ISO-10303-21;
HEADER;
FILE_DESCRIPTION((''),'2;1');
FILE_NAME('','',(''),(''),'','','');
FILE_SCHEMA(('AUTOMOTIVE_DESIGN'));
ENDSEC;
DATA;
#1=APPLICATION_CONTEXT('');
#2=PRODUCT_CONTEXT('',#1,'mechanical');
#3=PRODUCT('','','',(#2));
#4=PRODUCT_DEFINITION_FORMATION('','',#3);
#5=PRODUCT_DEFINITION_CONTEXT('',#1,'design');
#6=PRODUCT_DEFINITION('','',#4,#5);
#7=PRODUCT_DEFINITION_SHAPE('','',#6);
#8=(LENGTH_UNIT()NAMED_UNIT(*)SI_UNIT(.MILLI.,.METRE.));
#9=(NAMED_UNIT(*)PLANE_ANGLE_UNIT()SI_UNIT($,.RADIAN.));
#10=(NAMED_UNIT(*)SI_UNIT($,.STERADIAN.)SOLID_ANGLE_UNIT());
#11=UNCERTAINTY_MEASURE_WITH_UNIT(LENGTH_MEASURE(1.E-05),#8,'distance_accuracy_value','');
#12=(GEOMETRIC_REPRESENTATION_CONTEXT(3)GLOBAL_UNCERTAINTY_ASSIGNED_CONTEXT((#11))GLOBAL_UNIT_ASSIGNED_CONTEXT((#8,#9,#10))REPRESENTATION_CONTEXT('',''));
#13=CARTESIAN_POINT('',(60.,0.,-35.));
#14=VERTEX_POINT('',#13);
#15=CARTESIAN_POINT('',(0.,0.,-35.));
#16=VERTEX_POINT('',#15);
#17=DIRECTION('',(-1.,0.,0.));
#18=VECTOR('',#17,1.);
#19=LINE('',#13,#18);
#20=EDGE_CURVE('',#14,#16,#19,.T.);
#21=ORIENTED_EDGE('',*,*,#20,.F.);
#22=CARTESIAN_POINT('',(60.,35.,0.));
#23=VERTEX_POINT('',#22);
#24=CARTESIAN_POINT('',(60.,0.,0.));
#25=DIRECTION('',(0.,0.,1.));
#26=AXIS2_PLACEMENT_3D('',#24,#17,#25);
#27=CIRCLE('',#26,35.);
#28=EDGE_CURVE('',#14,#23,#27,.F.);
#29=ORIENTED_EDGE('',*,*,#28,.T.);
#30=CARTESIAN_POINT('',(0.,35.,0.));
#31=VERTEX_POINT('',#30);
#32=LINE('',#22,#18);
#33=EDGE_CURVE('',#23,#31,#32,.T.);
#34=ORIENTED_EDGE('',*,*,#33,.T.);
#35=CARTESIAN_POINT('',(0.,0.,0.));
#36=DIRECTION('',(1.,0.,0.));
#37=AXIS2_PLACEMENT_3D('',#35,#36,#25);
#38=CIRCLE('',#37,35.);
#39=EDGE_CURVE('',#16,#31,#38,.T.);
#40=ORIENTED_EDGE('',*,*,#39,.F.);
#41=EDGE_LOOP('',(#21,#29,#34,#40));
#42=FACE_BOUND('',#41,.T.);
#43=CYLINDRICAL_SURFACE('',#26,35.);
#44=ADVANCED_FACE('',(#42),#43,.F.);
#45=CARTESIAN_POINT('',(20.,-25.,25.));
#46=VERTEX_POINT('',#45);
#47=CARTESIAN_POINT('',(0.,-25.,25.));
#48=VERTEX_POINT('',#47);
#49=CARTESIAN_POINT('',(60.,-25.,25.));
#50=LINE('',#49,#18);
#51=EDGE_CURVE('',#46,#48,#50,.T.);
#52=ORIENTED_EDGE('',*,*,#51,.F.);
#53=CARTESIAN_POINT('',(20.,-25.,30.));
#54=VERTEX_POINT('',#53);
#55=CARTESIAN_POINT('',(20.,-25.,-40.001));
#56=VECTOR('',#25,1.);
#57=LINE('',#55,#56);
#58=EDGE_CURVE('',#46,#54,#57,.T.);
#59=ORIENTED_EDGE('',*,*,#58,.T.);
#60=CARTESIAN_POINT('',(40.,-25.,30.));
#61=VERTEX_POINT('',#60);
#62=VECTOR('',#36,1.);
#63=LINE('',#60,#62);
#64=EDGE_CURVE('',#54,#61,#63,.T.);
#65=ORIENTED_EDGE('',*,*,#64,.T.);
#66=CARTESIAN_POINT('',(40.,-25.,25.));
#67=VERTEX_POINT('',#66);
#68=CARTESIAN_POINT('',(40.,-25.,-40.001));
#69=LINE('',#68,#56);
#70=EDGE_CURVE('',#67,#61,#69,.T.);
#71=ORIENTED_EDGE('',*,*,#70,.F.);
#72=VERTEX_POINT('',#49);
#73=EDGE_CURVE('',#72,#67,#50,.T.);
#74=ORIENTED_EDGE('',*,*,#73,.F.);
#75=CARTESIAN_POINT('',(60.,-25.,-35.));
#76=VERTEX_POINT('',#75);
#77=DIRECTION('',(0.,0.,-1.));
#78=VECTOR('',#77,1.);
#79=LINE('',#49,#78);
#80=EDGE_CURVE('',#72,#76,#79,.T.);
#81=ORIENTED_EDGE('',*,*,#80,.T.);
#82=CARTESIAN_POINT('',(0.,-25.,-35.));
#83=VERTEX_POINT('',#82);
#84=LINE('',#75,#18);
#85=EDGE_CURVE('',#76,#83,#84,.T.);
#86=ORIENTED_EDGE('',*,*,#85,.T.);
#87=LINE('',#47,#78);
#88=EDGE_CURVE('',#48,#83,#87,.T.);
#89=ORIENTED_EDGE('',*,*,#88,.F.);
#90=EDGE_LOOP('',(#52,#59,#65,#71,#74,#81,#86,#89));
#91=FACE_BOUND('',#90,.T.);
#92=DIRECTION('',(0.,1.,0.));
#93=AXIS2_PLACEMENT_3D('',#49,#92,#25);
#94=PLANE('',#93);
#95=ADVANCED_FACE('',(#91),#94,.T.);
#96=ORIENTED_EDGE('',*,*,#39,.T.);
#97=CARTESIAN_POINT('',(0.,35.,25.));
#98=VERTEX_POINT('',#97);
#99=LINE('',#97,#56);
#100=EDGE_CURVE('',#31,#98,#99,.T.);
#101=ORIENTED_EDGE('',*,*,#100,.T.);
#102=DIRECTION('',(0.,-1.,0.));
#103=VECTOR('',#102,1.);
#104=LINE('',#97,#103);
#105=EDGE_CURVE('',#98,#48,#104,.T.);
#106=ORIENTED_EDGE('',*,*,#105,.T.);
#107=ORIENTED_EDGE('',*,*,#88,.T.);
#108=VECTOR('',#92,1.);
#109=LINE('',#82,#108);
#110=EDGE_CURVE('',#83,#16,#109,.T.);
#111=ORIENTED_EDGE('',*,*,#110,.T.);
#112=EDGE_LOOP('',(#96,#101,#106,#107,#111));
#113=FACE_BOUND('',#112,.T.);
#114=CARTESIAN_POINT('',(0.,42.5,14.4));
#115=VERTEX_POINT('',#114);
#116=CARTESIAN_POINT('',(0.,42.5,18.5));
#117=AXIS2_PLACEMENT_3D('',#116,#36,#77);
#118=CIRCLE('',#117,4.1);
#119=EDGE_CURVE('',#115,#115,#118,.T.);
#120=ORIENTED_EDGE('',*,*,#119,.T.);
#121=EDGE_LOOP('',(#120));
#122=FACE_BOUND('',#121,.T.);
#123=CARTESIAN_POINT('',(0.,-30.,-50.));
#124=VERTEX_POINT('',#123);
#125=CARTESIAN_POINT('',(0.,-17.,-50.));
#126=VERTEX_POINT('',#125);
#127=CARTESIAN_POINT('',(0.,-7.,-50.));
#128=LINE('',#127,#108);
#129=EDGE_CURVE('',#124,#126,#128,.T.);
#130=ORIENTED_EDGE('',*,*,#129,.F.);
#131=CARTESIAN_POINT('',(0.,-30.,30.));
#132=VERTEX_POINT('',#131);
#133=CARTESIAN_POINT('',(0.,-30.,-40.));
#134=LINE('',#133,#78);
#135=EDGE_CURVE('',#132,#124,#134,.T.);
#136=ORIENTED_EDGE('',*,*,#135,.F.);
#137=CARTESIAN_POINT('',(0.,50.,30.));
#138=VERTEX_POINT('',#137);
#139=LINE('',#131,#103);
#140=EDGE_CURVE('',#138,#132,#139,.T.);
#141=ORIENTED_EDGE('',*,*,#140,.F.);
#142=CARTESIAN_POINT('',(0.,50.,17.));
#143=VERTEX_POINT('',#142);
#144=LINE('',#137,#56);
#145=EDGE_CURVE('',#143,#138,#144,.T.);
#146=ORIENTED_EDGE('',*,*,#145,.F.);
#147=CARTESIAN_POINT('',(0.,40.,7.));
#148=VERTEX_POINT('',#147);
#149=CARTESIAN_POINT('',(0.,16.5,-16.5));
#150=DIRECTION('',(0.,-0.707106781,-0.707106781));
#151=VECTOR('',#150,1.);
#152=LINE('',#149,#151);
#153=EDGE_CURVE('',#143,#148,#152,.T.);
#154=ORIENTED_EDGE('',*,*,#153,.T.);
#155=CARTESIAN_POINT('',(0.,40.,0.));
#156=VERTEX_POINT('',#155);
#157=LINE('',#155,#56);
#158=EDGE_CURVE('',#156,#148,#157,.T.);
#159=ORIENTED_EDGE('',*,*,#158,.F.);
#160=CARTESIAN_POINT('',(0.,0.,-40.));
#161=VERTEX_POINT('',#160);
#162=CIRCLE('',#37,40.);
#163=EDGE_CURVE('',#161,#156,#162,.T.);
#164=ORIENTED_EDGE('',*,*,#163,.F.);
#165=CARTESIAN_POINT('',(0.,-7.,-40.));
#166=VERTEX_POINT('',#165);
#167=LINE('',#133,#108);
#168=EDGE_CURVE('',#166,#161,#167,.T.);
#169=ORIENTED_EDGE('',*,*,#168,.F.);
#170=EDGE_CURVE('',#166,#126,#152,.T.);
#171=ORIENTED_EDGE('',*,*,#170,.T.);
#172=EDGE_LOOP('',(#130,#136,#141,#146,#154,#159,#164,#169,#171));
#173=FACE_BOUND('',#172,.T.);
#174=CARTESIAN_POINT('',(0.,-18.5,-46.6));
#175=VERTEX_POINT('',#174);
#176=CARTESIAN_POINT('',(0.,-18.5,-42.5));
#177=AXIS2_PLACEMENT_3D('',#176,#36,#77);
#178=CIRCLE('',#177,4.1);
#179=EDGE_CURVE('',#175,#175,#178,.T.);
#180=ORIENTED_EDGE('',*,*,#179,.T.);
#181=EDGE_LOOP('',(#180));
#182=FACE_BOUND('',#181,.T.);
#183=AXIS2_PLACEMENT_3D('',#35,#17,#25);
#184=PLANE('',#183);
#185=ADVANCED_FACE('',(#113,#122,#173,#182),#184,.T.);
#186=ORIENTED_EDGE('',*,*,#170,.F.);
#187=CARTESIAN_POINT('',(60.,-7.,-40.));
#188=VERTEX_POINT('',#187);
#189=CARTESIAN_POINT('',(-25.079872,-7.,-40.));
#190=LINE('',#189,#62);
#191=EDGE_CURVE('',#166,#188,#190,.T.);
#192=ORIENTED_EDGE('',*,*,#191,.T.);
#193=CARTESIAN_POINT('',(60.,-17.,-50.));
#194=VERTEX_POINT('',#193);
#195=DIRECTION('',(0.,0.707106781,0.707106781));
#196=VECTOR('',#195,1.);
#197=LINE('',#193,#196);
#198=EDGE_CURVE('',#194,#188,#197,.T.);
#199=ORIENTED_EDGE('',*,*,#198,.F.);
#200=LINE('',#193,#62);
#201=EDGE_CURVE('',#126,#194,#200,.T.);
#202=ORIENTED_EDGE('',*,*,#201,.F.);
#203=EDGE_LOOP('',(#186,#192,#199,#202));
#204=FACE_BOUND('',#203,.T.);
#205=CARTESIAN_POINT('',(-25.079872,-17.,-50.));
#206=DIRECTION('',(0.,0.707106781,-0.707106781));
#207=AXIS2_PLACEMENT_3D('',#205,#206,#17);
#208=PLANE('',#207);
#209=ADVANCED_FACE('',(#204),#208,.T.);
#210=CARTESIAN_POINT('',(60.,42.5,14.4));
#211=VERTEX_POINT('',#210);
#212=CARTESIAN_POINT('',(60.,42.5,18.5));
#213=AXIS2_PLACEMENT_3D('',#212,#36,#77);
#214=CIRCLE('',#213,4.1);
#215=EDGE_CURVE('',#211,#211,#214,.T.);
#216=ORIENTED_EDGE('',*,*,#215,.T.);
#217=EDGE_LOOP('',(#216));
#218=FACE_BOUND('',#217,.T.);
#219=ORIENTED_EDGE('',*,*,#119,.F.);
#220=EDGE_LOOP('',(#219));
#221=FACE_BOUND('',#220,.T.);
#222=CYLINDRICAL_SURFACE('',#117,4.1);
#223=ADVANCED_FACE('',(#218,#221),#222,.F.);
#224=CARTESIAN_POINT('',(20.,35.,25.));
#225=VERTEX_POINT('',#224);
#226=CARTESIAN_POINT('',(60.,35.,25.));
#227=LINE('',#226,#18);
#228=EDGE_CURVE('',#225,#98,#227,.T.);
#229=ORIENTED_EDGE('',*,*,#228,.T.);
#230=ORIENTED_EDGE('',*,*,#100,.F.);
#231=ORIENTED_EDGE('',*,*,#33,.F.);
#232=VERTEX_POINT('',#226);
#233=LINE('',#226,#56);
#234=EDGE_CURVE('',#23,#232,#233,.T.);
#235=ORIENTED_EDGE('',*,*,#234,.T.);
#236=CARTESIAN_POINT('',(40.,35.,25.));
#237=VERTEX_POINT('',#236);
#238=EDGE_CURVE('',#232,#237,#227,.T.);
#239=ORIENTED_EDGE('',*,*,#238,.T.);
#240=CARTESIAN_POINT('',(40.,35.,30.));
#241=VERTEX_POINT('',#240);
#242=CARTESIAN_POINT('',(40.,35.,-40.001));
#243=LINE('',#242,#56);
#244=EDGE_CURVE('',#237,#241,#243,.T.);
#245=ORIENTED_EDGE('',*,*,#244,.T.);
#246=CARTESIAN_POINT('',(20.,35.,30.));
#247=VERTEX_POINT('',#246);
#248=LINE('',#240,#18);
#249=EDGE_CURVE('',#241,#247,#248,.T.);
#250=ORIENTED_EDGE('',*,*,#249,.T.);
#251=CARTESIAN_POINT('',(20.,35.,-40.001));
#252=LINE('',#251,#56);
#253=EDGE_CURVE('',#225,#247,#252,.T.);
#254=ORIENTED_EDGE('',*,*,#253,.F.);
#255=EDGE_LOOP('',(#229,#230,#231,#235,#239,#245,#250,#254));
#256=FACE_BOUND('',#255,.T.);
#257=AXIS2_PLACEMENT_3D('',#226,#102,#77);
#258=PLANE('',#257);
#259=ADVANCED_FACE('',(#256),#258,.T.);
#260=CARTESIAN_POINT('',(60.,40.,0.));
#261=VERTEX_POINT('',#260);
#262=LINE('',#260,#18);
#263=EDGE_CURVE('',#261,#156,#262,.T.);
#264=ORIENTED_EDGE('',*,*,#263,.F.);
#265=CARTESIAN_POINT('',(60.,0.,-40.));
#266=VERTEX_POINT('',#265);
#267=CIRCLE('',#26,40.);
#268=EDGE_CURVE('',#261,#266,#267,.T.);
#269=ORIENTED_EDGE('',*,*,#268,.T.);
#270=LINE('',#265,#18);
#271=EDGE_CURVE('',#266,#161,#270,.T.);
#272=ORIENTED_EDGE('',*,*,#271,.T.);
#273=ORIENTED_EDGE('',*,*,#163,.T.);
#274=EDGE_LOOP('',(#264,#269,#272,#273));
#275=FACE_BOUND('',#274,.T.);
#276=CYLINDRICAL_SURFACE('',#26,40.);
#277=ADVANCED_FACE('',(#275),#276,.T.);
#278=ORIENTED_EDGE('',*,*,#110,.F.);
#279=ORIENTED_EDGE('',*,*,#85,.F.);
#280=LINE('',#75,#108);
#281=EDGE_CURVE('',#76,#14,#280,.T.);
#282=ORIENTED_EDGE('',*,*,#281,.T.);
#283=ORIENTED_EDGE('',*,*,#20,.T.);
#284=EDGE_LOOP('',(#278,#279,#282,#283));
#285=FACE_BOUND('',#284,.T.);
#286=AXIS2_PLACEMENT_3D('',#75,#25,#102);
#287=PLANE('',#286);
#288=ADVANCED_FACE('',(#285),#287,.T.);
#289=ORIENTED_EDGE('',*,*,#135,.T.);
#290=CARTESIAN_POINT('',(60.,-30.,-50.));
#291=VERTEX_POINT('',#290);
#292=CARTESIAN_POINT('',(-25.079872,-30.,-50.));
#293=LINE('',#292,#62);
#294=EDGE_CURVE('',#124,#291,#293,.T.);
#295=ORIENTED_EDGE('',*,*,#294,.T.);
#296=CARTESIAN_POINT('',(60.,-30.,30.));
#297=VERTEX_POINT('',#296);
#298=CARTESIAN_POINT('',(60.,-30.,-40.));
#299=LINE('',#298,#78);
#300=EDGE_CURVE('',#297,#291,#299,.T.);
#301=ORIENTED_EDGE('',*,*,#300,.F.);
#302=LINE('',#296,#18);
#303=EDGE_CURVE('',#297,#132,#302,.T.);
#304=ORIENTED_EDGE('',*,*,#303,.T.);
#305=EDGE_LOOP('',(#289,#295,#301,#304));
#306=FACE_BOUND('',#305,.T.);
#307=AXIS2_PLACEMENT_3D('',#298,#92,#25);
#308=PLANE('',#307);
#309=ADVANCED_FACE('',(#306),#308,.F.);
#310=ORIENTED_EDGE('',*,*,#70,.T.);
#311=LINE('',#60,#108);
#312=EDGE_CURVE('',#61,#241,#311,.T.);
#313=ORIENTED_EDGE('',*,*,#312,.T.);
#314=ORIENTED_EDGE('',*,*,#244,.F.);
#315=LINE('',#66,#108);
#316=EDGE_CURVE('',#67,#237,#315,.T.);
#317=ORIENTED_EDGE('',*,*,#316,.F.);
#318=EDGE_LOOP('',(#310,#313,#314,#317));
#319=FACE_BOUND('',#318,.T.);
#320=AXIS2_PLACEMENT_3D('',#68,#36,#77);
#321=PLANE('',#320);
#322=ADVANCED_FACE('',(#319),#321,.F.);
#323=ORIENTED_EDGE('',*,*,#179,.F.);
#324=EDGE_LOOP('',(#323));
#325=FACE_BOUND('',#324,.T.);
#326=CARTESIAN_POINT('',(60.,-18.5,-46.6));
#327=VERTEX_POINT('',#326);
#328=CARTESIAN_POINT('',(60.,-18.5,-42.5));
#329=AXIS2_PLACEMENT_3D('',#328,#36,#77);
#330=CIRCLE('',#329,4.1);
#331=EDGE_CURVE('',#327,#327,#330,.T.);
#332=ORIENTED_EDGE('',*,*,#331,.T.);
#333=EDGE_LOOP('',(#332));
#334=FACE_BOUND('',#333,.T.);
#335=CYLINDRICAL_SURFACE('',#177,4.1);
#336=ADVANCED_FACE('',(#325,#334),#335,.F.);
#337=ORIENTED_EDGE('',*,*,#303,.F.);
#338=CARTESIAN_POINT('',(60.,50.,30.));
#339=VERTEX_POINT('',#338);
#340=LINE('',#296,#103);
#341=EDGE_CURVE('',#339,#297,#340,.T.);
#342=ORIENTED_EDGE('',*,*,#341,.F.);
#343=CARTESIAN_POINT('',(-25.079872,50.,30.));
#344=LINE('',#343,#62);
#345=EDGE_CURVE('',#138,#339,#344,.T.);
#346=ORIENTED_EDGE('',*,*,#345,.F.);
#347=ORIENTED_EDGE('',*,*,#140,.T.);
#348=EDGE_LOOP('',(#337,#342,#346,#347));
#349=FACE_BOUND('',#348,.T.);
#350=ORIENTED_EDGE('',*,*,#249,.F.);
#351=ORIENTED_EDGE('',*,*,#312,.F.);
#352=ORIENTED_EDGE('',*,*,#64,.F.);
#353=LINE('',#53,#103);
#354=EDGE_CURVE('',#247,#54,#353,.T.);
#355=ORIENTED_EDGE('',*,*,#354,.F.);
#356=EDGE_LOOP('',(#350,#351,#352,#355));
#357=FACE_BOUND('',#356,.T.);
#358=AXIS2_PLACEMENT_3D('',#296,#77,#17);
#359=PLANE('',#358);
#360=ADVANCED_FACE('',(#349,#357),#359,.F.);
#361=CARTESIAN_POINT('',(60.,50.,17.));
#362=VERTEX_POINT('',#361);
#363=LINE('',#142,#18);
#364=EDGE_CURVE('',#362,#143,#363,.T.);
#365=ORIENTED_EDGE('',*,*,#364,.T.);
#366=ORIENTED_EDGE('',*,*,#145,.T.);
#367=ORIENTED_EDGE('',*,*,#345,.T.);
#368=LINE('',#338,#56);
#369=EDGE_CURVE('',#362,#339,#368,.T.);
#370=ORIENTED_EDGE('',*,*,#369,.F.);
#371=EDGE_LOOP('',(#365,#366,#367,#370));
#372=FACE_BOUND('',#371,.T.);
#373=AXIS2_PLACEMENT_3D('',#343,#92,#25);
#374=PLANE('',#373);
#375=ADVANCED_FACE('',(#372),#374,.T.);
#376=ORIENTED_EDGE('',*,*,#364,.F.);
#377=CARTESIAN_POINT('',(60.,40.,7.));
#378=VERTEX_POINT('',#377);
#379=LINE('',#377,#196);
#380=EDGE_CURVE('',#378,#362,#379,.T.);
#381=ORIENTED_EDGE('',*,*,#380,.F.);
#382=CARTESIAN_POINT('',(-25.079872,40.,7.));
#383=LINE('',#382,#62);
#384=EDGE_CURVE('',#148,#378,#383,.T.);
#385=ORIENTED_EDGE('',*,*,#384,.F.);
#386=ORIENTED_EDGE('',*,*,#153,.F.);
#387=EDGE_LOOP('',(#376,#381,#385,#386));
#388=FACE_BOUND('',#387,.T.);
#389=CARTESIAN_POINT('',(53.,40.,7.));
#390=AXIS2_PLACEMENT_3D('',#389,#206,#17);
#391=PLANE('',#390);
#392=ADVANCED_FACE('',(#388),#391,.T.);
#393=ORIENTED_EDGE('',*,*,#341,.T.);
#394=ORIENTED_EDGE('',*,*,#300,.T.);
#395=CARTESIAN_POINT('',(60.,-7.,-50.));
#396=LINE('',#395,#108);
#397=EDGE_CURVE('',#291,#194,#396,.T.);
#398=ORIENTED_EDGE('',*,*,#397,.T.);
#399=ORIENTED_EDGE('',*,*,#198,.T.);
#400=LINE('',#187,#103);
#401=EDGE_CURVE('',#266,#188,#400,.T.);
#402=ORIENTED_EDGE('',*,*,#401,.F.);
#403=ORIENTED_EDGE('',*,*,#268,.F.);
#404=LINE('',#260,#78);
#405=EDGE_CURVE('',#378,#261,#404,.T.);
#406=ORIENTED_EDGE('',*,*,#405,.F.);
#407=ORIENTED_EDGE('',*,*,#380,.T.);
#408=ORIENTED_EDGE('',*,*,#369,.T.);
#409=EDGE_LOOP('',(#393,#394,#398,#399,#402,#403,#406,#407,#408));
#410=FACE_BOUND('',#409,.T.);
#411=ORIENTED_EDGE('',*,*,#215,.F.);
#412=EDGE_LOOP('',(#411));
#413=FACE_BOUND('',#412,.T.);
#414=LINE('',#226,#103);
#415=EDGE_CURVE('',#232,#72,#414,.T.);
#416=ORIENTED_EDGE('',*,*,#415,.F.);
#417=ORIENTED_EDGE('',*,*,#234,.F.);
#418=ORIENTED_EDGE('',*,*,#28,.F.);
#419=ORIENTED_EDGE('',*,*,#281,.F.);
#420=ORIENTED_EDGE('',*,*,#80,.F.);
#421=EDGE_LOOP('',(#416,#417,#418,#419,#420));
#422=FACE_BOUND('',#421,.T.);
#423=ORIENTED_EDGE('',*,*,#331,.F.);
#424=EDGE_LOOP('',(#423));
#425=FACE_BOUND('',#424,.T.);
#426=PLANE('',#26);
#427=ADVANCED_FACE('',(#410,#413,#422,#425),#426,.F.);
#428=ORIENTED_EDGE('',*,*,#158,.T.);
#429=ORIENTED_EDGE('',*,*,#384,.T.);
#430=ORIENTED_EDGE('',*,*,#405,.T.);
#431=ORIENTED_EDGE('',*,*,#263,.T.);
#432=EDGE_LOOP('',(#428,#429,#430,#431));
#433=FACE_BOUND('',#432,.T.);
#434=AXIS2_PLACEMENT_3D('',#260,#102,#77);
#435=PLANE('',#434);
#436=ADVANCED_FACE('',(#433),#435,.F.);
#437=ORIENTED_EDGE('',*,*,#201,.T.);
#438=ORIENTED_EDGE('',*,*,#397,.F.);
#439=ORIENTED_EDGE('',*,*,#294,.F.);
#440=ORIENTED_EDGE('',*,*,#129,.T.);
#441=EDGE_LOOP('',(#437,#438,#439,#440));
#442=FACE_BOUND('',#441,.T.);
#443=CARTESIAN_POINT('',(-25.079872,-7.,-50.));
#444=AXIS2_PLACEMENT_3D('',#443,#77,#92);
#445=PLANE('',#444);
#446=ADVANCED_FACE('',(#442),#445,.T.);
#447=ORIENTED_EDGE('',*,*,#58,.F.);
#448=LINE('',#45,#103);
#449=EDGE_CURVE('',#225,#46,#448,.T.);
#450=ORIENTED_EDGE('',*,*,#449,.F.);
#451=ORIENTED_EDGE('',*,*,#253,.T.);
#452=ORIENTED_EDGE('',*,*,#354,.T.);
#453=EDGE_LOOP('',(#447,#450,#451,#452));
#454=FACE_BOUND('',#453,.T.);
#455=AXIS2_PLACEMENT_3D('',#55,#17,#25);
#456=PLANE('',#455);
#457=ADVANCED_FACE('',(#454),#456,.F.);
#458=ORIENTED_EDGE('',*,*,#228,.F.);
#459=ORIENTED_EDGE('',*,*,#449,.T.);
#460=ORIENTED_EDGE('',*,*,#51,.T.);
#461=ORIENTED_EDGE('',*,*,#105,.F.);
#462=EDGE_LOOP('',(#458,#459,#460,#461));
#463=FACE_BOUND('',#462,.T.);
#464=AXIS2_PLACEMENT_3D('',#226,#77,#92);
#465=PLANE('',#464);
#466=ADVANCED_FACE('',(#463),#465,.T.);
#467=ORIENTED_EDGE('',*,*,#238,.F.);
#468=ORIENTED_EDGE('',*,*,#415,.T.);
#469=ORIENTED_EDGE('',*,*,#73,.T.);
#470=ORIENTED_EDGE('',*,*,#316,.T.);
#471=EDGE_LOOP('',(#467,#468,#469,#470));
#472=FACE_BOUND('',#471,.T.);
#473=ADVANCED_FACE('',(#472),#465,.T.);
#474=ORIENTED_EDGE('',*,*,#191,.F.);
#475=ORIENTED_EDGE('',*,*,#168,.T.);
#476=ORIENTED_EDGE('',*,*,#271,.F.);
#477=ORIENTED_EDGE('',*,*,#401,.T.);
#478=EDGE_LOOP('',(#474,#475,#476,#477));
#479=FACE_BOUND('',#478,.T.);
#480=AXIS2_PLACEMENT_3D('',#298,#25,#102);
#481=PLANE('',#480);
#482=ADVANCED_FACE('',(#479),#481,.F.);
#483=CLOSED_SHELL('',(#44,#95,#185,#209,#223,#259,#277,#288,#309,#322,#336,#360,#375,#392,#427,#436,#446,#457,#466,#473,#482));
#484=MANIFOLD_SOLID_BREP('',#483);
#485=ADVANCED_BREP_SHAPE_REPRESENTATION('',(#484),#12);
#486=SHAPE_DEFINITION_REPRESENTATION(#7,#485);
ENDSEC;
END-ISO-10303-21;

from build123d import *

# Parameters (mm, degrees)
BOSS_EXTRUDE1_DEPTH = 60
CUT_EXTRUDE1_DEPTH  = 7
CUT_EXTRUDE2_REACH  = 72
SKETCH5_W           = 20
SKETCH5_H           = 60
SKETCH6_W           = 23
SKETCH6_H           = 10
SKETCH6_W_2         = 10
SKETCH6_H_2         = 23
BOSS_EXTRUDE3_DEPTH = 60
SKETCH8_R           = 4.1
CUT_EXTRUDE3_DEPTH  = 61
CHAMFER2_SIZE       = 10
BOSS_EXTRUDE4_DEPTH = 7


with BuildPart() as part:
    # Sketch2 → Boss-Extrude1 (new body)
    with BuildSketch(Plane(origin=(0, 0, 0), x_dir=(0, 0, -1), z_dir=(1, 0, 0))):
        with BuildLine():
            Line((0, 40), (-30, 40))
            Line((-30, 40), (-30, -30))
            Line((-30, -30), (40, -30))
            Line((40, -30), (40, 0))
            ThreePointArc((40, 0), (28.284271247, 28.284271247), (0, 40))
        make_face()
        with BuildLine():
            Line((-25, 35), (-25, -25))
            Line((-25, -25), (35, -25))
            Line((35, -25), (35, 0))
            ThreePointArc((35, 0), (24.748737342, 24.748737342), (0, 35))
            Line((0, 35), (-25, 35))
        make_face(mode=Mode.SUBTRACT)
    extrude(amount=BOSS_EXTRUDE1_DEPTH)

    # Sketch4 → Cut-Extrude1 (cut)
    with BuildSketch(Plane(origin=(60, 0, 0), x_dir=(0, 0, -1), z_dir=(1, 0, 0))):
        with BuildLine():
            Line((0, 40), (-7, 40))
            Line((-7, 40), (-7, 35))
            Line((-7, 35), (0, 35))
            ThreePointArc((0, 35), (24.748737342, 24.748737342), (35, 0))
            Line((35, 0), (35, -7))
            Line((35, -7), (40, -7))
            Line((40, -7), (40, 0))
            ThreePointArc((40, 0), (28.284271247, 28.284271247), (0, 40))
        make_face()
    extrude(amount=-CUT_EXTRUDE1_DEPTH, mode=Mode.SUBTRACT)

    # Sketch5 → Cut-Extrude2 (cut, up to next)
    with BuildSketch(Plane.XY.offset(30), mode=Mode.PRIVATE) as cut_extrude2_sk1:
        with Locations((30, 5)):
            Rectangle(SKETCH5_W, SKETCH5_H)
    cut_extrude2_tool1 = extrude(cut_extrude2_sk1.sketch, amount=-CUT_EXTRUDE2_REACH, mode=Mode.PRIVATE) & part.part
    add(cut_extrude2_tool1.solids().sort_by_distance((30, 5, 30))[0], mode=Mode.SUBTRACT)

    # Sketch6 → Boss-Extrude3 (add)
    with BuildSketch(Plane(origin=(60, 0, 0), x_dir=(0, 0, -1), z_dir=(1, 0, 0))):
        with Locations((-18.5, 45)):
            Rectangle(SKETCH6_W, SKETCH6_H)
        with Locations((45, -18.5)):
            Rectangle(SKETCH6_W_2, SKETCH6_H_2)
    extrude(amount=-BOSS_EXTRUDE3_DEPTH)

    # Sketch8 → Cut-Extrude3 (cut, through all)
    with BuildSketch(Plane(origin=(60, 0, 0), x_dir=(0, 0, -1), z_dir=(1, 0, 0))):
        with Locations((-18.5, 42.5)):
            Circle(SKETCH8_R)
        with Locations((42.5, -18.5)):
            Circle(SKETCH8_R)
    extrude(amount=-CUT_EXTRUDE3_DEPTH, mode=Mode.SUBTRACT)

    # Chamfer2
    chamfer2_edges = [part.edges().sort_by_distance(p)[0] for p in [
        (30, -7, -50),
        (30, 50, 7),
    ]]
    chamfer(chamfer2_edges, length=CHAMFER2_SIZE)

    # Sketch9 → Boss-Extrude4 (add)
    with BuildSketch(Plane(origin=(53, 0, 0), x_dir=(0, 0, -1), z_dir=(1, 0, 0))):
        with BuildLine():
            Line((0, 40), (-7, 40))
            Line((-7, 40), (-7, 35))
            Line((-7, 35), (0, 35))
            ThreePointArc((0, 35), (24.748737342, 24.748737342), (35, 0))
            Line((35, 0), (35, -7))
            Line((35, -7), (40, -7))
            Line((40, -7), (40, 0))
            ThreePointArc((40, 0), (28.284271247, 28.284271247), (0, 40))
        make_face()
    extrude(amount=BOSS_EXTRUDE4_DEPTH)


solid = part.part
